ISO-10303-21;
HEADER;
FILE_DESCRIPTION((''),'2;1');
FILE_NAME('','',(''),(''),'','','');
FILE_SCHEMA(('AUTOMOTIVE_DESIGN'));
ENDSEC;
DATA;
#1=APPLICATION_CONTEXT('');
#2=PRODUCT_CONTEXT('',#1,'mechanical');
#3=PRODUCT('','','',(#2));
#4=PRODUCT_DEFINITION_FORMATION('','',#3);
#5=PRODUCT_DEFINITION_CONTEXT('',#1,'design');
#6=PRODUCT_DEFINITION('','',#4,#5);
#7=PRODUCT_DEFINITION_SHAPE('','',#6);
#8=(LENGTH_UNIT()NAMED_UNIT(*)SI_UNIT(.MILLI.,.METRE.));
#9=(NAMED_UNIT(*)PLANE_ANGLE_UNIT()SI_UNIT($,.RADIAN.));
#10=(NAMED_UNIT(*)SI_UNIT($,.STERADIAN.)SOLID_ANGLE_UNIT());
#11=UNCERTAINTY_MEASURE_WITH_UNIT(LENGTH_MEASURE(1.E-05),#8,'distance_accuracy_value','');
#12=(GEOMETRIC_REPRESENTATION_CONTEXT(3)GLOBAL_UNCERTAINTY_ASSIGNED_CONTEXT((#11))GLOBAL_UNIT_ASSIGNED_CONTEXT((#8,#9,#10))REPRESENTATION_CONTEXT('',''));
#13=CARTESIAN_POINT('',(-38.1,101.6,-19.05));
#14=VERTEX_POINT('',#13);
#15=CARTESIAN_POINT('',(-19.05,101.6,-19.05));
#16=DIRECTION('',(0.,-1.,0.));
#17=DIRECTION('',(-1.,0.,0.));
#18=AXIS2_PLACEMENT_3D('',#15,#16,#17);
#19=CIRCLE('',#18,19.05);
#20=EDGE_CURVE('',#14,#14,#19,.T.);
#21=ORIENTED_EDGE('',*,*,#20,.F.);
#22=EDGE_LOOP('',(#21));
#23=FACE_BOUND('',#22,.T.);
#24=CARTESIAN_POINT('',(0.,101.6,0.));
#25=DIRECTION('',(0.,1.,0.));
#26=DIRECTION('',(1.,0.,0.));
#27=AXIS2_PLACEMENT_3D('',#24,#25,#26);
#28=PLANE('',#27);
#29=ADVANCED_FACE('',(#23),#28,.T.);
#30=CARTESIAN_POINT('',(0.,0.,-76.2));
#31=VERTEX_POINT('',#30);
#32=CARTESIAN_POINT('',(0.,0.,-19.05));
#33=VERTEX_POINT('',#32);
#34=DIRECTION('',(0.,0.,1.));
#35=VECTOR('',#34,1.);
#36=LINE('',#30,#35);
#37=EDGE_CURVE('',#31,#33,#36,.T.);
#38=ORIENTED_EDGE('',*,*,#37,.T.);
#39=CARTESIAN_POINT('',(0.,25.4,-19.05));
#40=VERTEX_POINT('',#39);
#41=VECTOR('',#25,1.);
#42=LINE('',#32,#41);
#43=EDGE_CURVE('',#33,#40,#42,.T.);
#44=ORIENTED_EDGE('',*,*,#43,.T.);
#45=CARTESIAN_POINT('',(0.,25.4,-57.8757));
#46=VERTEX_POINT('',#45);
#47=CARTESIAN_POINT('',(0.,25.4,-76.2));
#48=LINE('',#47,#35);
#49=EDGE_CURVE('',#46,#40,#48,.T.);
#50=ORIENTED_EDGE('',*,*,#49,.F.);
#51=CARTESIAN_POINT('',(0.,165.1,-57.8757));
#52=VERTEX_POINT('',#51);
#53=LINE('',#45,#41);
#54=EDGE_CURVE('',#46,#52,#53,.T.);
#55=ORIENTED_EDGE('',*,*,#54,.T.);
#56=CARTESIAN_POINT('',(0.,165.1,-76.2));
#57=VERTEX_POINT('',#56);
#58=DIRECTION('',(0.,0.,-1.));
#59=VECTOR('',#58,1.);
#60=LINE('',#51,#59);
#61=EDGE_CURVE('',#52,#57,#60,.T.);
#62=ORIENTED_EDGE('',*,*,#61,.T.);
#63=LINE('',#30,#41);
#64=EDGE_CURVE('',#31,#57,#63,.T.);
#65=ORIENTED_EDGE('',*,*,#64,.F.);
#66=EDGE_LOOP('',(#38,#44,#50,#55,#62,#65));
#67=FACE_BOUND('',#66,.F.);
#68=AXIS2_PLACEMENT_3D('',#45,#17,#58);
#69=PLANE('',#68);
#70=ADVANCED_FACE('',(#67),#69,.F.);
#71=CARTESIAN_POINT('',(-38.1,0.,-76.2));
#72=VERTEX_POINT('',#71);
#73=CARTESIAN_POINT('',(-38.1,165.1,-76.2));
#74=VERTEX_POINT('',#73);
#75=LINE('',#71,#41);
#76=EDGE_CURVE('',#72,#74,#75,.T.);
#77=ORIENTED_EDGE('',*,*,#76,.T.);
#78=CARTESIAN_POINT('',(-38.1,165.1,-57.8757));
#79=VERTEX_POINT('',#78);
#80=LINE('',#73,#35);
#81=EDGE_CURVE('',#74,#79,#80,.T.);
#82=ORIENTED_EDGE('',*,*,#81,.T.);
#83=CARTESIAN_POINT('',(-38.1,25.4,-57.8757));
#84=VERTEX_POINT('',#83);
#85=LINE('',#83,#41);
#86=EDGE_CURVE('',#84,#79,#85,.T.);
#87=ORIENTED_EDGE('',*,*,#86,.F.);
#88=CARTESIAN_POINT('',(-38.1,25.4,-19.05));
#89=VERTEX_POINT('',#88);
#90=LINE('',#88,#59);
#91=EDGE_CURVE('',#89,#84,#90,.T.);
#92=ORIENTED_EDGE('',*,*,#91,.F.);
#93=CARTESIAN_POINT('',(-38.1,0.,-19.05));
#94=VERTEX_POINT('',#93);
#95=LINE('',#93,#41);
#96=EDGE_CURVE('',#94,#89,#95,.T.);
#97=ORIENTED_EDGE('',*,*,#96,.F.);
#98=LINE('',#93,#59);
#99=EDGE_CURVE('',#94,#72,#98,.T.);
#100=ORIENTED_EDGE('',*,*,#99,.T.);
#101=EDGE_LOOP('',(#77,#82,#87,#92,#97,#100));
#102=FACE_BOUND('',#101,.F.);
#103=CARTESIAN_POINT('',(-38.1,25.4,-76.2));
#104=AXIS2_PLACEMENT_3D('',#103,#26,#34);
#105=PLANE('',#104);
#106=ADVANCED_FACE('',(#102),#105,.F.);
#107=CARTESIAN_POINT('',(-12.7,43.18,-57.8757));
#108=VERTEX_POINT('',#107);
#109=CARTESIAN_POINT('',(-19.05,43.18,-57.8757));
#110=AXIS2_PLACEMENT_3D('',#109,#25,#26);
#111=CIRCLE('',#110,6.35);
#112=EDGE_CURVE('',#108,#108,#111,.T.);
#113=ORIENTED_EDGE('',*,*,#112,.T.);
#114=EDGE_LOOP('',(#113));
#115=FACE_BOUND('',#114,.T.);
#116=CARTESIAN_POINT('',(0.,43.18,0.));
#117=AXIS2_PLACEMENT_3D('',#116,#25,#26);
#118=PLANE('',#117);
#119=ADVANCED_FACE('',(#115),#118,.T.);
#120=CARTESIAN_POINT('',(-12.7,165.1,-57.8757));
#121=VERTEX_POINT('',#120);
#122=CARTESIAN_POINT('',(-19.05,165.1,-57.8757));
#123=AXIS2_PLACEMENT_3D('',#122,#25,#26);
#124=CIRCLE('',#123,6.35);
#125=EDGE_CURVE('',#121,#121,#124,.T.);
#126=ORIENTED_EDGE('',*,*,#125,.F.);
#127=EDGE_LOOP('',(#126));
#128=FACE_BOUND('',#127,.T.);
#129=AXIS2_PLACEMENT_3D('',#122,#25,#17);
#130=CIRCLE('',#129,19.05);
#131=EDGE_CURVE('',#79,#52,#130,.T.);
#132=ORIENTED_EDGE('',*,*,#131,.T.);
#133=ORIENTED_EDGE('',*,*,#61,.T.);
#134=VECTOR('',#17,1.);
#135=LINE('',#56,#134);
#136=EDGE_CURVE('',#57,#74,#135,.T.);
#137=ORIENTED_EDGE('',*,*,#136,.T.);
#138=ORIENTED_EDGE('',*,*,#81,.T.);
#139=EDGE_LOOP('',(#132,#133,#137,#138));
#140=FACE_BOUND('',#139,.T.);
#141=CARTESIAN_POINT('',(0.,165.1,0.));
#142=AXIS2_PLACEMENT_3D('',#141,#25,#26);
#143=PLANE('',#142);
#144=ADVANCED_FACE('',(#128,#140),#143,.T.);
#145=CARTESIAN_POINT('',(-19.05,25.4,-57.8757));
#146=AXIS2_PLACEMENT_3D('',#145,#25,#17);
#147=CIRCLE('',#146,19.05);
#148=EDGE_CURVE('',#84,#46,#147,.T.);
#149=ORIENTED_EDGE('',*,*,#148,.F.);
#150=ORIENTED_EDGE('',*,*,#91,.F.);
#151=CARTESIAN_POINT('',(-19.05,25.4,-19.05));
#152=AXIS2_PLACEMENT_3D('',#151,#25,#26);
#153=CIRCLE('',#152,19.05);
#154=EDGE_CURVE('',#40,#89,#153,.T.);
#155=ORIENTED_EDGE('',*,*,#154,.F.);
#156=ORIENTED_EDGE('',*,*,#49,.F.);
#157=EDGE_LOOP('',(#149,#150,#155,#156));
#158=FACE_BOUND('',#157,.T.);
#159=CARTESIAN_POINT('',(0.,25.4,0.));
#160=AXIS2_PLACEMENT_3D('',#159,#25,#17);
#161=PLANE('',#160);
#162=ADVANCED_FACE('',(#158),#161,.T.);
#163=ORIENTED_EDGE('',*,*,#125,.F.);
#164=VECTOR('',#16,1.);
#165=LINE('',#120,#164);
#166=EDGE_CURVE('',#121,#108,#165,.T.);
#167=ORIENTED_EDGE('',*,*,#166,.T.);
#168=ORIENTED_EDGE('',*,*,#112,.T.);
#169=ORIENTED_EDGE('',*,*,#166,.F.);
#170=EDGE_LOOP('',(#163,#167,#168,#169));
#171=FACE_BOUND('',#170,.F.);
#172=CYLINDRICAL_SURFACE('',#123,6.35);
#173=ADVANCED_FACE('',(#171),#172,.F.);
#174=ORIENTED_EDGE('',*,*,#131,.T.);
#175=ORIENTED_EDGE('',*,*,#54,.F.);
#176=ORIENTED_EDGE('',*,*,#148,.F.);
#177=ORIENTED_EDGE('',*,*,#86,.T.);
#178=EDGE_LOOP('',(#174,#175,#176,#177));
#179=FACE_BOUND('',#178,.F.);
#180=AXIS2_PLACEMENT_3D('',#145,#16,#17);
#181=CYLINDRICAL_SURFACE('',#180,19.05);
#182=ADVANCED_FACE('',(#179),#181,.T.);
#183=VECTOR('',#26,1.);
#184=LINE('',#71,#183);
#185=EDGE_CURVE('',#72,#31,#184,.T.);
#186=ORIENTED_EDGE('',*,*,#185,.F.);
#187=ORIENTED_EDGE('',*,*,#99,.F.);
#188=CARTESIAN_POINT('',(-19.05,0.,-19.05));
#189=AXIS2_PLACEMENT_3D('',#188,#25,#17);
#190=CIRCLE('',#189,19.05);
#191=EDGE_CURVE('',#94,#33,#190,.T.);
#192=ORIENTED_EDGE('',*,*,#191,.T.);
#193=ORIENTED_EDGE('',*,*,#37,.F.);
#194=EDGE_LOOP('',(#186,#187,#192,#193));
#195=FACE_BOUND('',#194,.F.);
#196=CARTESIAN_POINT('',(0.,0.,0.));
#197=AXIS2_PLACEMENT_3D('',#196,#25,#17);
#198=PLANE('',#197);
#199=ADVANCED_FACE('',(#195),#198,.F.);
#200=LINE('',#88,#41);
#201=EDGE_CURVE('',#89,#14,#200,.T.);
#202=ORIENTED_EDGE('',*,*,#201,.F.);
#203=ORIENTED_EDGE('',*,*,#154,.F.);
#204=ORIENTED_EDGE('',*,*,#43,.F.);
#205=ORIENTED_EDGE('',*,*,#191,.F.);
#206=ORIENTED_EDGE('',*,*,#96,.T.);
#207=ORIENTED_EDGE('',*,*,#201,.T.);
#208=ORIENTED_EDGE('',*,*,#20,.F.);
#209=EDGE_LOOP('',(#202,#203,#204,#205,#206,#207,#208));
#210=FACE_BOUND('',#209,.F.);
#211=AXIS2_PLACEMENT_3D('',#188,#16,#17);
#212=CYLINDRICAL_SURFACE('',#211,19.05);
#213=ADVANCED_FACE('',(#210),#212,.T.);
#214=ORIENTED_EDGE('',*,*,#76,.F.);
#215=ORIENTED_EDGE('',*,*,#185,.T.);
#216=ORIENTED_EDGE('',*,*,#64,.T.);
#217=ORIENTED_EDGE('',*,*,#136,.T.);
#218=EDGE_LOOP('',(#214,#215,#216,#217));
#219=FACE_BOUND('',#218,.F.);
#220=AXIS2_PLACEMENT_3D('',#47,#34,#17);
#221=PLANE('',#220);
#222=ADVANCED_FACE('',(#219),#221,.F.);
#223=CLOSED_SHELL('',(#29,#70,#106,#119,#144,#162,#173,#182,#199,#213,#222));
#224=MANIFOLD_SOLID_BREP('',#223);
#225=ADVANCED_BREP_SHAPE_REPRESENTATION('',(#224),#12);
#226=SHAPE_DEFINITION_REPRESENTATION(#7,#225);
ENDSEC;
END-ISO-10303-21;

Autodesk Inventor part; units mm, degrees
ref_plane "YZ Plane" through (0, 0, 0) normal (1, 0, 0) x (0, 1, 0)
ref_plane "XZ Plane" through (0, 0, 0) normal (0, 1, 0) x (-1, 0, 0)
ref_plane "XY Plane" through (0, 0, 0) normal (0, 0, 1) x (1, 0, 0)
sketch "Sketch1" plane through (0, 0, 0) normal (0, 1, 0) x (-1, 0, 0)
  line L0 (0, 0) -> (38.1, 0)
  line L1 (38.1, -19.05) -> (38.1, -76.2)
  line L2 (38.1, -76.2) -> (0, -76.2)
  line L3 (0, -76.2) -> (0, -19.05)
  arc A0 (38.1, -19.05) -> (0, -19.05) centre (19.05, -19.05) ccw
  dimension "d0" = 38.1
  dimension "d1" = 76.2
extrude "Extrusion1" add sketch "Sketch1" along normal blind 25.4
sketch "Sketch2" plane through (0, 25.4, 0) normal (0, 1, 0) x (1, 0, 0)
  arc A0 (-38.1, 19.05) -> (0, 19.05) centre (-19.05, 19.05) ccw projected
  circle A1 centre (-19.05, 19.05) radius 19.05
  point P0 (0, 0)
extrude "Extrusion2" add sketch "Sketch2" along normal blind 76.2
sketch "Sketch3" plane through (0, 25.4, 0) normal (0, 1, 0) x (1, 0, 0)
  line L0 (0, 76.2) -> (-38.1, 76.2) projected
  line L1 (0, 76.2) -> (-38.1, 76.2)
  line L2 (-38.1, 76.2) -> (-38.1, 57.8757)
  line L3 (0, 57.8757) -> (0, 76.2)
  arc A0 (-38.1, 57.8757) -> (0, 57.8757) centre (-19.05, 57.8757) ccw
  point P0 (0, 0)
extrude "Extrusion3" add sketch "Sketch3" along normal blind 139.7
sketch "Sketch4" plane through (0, 165.1, 0) normal (0, 1, 0) x (1, 0, 0)
  circle A0 centre (-19.05, 57.8757) radius 6.35
  arc A1 (-38.1, 57.8757) -> (0, 57.8757) centre (-19.05, 57.8757) ccw projected
  point P0 (0, 0)
  dimension "d9" = 12.7
extrude "Extrusion4" cut sketch "Sketch4" against normal blind 121.92
properties part number "Actuator new" material "Aluminum 6061"
